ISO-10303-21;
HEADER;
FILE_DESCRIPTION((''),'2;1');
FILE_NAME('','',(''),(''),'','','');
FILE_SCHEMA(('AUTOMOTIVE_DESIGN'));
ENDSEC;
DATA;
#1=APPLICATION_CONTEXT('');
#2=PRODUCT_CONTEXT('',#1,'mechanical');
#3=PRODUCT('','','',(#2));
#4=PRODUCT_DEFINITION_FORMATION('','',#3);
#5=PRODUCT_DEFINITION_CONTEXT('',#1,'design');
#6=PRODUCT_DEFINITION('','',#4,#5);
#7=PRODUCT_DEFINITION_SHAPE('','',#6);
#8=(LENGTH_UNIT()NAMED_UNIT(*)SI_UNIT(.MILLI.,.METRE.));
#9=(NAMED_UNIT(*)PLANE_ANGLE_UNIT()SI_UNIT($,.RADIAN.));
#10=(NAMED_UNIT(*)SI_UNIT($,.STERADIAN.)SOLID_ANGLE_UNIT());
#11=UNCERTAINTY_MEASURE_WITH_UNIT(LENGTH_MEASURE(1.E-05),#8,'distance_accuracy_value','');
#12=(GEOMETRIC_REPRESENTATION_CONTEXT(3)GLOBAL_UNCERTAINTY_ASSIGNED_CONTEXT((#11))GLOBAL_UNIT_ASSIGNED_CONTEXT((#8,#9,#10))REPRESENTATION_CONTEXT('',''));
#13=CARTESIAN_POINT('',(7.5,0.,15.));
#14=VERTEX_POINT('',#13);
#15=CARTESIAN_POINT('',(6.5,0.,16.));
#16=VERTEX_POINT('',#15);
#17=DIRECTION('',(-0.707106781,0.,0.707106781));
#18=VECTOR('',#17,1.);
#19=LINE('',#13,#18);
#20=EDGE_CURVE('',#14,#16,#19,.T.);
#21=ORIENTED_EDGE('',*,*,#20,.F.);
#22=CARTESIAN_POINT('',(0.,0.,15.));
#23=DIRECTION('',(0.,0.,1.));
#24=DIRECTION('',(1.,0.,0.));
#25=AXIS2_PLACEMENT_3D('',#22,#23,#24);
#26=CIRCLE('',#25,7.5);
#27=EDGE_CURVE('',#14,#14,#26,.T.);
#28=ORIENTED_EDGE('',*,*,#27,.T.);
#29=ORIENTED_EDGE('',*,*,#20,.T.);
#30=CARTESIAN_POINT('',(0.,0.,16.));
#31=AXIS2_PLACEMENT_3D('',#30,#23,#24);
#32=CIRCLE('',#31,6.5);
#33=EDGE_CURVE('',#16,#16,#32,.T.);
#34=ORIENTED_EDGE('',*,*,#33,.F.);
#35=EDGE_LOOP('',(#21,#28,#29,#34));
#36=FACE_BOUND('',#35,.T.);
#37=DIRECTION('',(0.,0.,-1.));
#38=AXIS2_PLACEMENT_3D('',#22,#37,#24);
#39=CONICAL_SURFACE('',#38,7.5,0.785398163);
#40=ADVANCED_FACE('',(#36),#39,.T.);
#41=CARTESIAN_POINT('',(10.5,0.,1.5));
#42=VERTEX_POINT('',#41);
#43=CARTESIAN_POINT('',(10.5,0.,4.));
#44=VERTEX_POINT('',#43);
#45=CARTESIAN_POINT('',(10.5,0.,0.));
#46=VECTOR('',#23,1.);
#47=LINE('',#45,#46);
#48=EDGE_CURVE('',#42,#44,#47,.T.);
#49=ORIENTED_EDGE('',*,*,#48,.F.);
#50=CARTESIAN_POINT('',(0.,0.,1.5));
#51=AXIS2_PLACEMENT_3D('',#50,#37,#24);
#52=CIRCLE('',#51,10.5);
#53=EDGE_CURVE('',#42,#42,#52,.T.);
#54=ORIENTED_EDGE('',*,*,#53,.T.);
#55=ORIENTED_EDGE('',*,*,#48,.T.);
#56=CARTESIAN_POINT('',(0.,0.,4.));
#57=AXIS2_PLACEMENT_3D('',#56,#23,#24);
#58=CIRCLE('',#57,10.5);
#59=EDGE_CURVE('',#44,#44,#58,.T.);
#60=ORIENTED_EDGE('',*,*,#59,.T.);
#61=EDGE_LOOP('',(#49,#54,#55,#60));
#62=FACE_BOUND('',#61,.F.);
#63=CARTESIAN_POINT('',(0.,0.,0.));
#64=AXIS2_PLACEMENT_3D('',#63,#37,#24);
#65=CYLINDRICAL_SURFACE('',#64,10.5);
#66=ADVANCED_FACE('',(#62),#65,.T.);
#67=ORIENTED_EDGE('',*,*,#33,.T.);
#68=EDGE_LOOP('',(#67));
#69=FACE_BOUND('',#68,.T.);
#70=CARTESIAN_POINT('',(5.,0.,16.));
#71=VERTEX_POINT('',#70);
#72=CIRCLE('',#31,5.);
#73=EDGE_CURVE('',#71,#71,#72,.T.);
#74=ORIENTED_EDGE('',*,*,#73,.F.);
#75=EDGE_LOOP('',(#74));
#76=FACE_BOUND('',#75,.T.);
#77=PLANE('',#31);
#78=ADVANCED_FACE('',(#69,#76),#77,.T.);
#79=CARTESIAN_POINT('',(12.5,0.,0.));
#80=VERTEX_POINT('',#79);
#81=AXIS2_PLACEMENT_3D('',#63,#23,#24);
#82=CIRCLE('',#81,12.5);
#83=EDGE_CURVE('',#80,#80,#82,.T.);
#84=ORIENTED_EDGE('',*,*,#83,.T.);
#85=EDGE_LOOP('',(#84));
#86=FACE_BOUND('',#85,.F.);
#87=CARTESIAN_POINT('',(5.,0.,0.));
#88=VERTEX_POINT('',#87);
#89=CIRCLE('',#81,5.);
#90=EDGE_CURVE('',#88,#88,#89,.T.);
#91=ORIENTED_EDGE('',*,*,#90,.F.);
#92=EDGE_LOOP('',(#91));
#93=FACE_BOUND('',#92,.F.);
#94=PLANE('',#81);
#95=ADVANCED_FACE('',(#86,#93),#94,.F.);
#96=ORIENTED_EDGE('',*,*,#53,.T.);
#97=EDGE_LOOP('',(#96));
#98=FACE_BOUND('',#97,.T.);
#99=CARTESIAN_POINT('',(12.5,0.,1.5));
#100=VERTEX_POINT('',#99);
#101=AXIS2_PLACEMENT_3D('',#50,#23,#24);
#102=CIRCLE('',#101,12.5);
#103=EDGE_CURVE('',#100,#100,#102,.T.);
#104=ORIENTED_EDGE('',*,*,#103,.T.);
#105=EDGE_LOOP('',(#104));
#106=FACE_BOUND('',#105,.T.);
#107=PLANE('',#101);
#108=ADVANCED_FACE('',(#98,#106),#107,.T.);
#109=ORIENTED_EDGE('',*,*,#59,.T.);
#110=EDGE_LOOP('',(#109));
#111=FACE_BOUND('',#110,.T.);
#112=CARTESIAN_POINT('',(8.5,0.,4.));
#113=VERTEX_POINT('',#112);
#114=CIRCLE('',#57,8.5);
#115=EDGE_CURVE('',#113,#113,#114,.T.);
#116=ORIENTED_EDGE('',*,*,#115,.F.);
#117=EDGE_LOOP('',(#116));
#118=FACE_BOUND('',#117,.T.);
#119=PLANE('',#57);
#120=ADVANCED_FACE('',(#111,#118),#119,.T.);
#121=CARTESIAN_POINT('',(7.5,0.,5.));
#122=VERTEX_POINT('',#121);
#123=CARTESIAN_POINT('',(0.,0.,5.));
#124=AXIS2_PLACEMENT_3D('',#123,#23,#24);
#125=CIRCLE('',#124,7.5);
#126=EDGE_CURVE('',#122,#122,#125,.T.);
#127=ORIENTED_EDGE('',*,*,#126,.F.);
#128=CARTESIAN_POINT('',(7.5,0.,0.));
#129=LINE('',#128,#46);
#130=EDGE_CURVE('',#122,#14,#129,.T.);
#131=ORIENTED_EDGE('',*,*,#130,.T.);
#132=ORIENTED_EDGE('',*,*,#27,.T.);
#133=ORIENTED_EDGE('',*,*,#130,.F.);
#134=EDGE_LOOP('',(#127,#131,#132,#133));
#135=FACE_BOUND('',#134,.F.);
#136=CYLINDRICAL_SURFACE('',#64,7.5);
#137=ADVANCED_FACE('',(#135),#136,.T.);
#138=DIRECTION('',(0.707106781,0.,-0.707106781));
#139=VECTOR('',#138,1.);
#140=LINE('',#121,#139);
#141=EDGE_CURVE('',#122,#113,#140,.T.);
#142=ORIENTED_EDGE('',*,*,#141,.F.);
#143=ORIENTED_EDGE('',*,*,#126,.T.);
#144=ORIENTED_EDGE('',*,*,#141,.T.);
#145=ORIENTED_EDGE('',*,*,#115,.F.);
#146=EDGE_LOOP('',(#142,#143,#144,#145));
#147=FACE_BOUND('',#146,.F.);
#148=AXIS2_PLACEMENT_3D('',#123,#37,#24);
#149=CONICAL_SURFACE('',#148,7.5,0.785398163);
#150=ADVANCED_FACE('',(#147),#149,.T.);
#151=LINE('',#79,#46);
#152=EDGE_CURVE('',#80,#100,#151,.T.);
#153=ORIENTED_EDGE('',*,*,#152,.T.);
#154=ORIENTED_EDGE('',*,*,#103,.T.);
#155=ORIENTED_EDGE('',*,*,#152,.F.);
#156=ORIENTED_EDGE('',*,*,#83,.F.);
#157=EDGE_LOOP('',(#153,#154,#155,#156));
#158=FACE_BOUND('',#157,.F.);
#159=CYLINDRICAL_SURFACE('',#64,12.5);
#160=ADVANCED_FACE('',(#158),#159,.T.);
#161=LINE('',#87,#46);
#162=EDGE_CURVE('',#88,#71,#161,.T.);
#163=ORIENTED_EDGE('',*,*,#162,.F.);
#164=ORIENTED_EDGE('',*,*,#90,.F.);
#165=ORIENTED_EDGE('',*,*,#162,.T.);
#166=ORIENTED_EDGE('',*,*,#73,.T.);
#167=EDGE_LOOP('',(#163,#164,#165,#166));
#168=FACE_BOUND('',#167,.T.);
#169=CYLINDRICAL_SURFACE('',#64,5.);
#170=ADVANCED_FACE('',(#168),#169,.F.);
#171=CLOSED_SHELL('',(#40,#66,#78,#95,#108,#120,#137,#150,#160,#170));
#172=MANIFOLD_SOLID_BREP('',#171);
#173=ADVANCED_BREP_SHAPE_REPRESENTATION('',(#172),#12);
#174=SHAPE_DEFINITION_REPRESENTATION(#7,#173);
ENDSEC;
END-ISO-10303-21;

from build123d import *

# Parameters (mm, degrees)
F0_R     = 7.5
F0_R_2   = 5
F0_R_3   = 12.5
F0_R_4   = 10.5
F1_DEPTH = 1.5
F2_DEPTH = 4
F3_DEPTH = 16
F4_SIZE  = 1


with BuildPart() as f1:
    # F0 (on Top) → F1 (new body)
    with BuildSketch(Plane.XY):
        Circle(F0_R)
        Circle(F0_R_2, mode=Mode.SUBTRACT)
        Circle(F0_R_3)
        Circle(F0_R_4, mode=Mode.SUBTRACT)
        Circle(F0_R_4)
        Circle(F0_R, mode=Mode.SUBTRACT)
    extrude(amount=F1_DEPTH)

    # F0 (on Top) → F2 (join)
    with BuildSketch(Plane.XY):
        Circle(F0_R)
        Circle(F0_R_2, mode=Mode.SUBTRACT)
        Circle(F0_R_4)
        Circle(F0_R, mode=Mode.SUBTRACT)
    extrude(amount=F2_DEPTH)

    # F0 (on Top) → F3 (join)
    with BuildSketch(Plane.XY):
        Circle(F0_R)
        Circle(F0_R_2, mode=Mode.SUBTRACT)
    extrude(amount=F3_DEPTH)

    # F4
    f4_edges = [f1.edges().sort_by_distance(p)[0] for p in [
        (-7.5, 0, 16),
        (-7.5, 0, 4),
    ]]
    chamfer(f4_edges, length=F4_SIZE)


solid = f1.part
